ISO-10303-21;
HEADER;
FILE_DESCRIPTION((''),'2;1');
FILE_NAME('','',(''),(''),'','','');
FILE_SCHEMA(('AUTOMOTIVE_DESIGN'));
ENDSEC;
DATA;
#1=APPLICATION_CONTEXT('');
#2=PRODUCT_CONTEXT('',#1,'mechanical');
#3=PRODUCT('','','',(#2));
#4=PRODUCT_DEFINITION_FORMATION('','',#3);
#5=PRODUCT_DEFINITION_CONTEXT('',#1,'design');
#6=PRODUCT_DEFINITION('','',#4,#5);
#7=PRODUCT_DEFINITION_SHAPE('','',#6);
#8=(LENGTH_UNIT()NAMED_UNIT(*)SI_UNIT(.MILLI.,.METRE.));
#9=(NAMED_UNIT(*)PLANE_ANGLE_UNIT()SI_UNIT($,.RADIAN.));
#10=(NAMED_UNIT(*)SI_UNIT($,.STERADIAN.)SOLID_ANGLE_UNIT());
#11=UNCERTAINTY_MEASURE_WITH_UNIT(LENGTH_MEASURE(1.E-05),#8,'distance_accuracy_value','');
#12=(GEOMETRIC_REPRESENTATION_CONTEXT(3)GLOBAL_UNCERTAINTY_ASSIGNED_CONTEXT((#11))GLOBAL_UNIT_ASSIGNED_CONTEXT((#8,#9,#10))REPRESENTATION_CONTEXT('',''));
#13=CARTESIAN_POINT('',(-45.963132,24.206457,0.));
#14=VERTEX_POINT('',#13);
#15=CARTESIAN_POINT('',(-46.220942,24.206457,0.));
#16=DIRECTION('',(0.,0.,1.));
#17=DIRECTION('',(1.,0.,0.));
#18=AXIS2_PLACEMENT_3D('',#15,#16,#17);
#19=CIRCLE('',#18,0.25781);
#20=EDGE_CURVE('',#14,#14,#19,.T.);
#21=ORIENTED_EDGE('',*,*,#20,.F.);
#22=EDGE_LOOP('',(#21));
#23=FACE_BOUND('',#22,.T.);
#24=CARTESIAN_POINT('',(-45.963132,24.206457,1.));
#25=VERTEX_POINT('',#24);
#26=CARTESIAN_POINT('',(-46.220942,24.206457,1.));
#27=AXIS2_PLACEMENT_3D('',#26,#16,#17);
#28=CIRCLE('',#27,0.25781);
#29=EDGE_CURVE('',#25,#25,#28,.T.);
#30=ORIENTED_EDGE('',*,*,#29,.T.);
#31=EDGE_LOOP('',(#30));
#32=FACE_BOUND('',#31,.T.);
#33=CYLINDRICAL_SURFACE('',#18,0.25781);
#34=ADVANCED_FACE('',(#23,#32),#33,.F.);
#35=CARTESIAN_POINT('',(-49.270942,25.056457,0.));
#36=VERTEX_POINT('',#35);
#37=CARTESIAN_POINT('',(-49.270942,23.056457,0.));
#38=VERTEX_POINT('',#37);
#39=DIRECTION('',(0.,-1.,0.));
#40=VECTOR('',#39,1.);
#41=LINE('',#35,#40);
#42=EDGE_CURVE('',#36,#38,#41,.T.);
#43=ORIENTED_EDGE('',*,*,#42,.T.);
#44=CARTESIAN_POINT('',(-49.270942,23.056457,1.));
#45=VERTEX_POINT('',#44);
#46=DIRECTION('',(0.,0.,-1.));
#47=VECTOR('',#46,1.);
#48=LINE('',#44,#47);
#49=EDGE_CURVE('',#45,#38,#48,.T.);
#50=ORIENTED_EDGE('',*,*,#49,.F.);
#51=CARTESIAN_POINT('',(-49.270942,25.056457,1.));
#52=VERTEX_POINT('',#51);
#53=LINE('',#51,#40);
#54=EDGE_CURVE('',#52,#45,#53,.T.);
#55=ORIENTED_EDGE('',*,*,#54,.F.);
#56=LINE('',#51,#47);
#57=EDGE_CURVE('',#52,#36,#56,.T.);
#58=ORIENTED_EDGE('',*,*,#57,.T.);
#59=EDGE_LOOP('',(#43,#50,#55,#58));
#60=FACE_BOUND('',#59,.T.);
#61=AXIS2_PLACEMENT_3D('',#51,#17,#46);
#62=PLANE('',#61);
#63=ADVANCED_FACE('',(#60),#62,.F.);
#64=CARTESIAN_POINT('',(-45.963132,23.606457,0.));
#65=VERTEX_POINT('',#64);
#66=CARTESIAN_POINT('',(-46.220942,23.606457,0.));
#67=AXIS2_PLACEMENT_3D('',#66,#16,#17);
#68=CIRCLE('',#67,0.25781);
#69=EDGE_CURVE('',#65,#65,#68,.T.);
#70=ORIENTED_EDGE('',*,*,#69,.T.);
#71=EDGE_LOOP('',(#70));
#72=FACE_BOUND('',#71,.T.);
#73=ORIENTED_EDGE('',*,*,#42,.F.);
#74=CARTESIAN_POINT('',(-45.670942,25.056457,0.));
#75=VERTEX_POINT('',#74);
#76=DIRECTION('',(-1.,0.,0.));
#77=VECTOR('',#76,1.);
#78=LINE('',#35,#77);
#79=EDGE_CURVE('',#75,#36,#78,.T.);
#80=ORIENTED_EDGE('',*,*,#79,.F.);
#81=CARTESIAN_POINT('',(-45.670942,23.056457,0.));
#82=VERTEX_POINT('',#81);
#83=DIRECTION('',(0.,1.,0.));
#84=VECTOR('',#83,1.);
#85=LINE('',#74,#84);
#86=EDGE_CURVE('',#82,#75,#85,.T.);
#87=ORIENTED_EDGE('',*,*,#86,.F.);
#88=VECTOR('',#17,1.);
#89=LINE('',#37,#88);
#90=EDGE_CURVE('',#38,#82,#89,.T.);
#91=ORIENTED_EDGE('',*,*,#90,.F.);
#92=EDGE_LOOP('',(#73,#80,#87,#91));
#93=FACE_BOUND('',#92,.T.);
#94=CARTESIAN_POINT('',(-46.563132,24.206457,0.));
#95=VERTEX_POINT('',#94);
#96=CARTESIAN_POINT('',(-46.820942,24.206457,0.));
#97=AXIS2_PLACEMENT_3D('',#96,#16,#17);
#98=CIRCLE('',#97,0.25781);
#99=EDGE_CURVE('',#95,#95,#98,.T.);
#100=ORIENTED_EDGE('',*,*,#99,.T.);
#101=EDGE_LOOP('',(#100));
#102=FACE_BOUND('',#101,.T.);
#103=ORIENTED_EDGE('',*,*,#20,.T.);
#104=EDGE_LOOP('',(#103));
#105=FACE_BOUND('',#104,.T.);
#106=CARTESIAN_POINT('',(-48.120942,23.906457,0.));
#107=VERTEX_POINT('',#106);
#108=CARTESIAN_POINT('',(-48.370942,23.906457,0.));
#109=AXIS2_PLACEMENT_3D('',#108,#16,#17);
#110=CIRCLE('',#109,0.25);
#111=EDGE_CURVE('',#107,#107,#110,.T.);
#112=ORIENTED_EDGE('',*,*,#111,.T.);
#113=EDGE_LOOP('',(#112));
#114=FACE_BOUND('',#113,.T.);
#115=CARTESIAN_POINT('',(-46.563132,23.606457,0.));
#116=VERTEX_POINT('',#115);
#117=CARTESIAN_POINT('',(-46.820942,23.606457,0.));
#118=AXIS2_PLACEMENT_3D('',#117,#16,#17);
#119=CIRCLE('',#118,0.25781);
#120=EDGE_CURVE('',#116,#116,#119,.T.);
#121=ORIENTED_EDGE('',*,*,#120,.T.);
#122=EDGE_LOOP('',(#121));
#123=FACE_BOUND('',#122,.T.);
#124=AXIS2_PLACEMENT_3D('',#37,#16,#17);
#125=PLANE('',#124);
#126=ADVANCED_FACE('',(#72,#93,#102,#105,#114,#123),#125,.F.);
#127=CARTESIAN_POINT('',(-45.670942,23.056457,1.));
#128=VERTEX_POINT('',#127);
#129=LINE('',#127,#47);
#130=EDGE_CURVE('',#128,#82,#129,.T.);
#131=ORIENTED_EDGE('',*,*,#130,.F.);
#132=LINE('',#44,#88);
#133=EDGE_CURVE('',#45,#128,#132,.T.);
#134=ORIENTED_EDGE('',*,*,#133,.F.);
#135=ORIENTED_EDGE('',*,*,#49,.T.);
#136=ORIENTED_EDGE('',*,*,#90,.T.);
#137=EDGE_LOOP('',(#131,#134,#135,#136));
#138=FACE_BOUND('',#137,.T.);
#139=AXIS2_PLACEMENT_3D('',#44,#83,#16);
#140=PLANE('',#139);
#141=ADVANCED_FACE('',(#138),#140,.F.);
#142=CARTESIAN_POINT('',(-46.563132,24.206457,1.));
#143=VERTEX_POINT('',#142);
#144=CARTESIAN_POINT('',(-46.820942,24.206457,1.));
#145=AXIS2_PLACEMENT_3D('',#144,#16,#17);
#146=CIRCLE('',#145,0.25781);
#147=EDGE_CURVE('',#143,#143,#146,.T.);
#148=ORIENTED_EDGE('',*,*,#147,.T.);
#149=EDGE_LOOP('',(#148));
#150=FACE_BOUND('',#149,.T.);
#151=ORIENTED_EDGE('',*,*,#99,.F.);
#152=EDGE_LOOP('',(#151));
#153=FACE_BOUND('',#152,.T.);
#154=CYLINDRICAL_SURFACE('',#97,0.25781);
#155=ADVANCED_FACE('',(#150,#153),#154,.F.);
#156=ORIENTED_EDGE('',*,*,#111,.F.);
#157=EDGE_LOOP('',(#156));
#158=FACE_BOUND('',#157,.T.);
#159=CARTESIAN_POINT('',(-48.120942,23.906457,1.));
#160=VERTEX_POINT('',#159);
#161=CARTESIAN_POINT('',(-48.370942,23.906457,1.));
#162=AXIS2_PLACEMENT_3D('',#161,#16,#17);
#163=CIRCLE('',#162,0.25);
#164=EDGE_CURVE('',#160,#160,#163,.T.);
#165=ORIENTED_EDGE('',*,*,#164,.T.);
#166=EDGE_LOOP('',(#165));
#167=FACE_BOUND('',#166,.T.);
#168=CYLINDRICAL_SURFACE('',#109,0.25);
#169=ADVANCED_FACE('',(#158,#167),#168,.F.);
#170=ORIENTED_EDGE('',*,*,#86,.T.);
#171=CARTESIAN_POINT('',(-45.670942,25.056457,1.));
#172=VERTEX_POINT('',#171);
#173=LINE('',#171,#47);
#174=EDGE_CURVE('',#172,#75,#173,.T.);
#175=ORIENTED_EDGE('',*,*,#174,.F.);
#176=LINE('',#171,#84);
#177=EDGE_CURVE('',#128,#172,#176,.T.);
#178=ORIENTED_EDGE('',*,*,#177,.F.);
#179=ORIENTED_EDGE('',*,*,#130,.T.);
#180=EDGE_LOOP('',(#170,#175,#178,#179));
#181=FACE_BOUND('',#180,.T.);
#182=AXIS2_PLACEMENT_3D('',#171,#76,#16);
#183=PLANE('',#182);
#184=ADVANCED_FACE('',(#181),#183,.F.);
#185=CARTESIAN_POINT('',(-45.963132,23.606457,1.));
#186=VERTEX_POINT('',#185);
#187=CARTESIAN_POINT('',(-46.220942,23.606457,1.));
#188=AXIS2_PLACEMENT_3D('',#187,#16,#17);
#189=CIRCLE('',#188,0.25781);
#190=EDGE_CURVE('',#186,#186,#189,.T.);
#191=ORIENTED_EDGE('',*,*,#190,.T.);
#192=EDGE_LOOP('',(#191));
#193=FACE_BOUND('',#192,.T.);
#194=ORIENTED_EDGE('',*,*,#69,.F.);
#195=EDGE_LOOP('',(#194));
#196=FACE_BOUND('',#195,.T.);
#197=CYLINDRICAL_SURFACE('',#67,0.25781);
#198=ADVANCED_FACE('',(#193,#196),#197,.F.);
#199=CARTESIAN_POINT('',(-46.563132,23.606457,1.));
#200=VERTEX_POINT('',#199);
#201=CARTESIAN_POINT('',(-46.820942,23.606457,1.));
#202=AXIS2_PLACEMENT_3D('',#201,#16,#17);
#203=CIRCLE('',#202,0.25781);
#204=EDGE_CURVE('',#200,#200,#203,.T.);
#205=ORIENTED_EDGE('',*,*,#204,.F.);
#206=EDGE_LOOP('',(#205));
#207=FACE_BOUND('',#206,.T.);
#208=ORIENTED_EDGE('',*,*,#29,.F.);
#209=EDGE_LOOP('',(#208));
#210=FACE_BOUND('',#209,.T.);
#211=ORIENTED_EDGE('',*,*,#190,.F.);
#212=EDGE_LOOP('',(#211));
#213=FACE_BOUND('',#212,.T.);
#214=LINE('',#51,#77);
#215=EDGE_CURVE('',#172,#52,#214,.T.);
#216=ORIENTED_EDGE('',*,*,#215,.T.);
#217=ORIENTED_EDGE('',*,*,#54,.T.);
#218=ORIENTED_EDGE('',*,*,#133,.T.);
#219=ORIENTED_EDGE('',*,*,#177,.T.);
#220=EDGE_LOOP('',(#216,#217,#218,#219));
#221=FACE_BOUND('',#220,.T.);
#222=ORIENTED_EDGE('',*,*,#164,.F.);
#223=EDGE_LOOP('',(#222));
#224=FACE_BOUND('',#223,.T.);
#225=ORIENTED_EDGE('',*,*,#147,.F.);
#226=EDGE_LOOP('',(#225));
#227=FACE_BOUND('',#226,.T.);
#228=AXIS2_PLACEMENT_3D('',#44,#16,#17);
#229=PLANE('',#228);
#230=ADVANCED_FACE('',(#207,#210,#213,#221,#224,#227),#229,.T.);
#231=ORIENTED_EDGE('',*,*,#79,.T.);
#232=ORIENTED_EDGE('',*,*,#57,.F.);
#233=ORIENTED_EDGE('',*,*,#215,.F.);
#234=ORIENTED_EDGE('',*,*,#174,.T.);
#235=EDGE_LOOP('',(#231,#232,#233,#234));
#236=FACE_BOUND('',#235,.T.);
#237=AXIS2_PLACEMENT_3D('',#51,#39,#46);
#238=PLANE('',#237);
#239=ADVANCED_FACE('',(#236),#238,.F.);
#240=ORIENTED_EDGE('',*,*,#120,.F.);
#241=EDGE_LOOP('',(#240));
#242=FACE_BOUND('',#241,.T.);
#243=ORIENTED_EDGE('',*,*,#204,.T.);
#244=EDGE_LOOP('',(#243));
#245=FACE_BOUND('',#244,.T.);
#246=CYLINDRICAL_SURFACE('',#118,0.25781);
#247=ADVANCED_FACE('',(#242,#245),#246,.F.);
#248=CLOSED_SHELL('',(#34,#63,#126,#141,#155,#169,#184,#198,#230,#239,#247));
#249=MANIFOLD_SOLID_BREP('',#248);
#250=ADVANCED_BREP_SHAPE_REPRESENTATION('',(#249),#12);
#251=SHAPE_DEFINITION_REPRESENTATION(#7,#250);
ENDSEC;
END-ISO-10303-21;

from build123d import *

# Parameters (mm, degrees)
SKETCH1_W          = 3.6
SKETCH1_H          = 2
EXTRUDE1_DEPTH     = 1
SKETCH2_R          = 0.25
CUT_EXTRUDE1_DEPTH = 2
SKETCH3_R          = 0.25781
CUT_EXTRUDE2_DEPTH = 2


with BuildPart() as part:
    # Sketch1 → Extrude1 (new body)
    with BuildSketch(Plane.XY):
        with Locations((-47.470942408, 24.056457243)):
            Rectangle(SKETCH1_W, SKETCH1_H)
    extrude(amount=EXTRUDE1_DEPTH)

    # Sketch2 → Cut-Extrude1 (cut, through all)
    with BuildSketch(Plane.XY.offset(1)):
        with Locations((-48.370942408, 23.906457243)):
            Circle(SKETCH2_R)
    extrude(amount=-CUT_EXTRUDE1_DEPTH, mode=Mode.SUBTRACT)

    # Sketch3 → Cut-Extrude2 (cut, through all)
    with BuildSketch(Plane.XY.offset(1)):
        with Locations((-46.820942408, 24.206457243)):
            Circle(SKETCH3_R)
        with Locations((-46.820942408, 23.606457243)):
            Circle(SKETCH3_R)
        with Locations((-46.220942408, 23.606457243)):
            Circle(SKETCH3_R)
        with Locations((-46.220942408, 24.206457243)):
            Circle(SKETCH3_R)
    extrude(amount=-CUT_EXTRUDE2_DEPTH, mode=Mode.SUBTRACT)


solid = part.part
